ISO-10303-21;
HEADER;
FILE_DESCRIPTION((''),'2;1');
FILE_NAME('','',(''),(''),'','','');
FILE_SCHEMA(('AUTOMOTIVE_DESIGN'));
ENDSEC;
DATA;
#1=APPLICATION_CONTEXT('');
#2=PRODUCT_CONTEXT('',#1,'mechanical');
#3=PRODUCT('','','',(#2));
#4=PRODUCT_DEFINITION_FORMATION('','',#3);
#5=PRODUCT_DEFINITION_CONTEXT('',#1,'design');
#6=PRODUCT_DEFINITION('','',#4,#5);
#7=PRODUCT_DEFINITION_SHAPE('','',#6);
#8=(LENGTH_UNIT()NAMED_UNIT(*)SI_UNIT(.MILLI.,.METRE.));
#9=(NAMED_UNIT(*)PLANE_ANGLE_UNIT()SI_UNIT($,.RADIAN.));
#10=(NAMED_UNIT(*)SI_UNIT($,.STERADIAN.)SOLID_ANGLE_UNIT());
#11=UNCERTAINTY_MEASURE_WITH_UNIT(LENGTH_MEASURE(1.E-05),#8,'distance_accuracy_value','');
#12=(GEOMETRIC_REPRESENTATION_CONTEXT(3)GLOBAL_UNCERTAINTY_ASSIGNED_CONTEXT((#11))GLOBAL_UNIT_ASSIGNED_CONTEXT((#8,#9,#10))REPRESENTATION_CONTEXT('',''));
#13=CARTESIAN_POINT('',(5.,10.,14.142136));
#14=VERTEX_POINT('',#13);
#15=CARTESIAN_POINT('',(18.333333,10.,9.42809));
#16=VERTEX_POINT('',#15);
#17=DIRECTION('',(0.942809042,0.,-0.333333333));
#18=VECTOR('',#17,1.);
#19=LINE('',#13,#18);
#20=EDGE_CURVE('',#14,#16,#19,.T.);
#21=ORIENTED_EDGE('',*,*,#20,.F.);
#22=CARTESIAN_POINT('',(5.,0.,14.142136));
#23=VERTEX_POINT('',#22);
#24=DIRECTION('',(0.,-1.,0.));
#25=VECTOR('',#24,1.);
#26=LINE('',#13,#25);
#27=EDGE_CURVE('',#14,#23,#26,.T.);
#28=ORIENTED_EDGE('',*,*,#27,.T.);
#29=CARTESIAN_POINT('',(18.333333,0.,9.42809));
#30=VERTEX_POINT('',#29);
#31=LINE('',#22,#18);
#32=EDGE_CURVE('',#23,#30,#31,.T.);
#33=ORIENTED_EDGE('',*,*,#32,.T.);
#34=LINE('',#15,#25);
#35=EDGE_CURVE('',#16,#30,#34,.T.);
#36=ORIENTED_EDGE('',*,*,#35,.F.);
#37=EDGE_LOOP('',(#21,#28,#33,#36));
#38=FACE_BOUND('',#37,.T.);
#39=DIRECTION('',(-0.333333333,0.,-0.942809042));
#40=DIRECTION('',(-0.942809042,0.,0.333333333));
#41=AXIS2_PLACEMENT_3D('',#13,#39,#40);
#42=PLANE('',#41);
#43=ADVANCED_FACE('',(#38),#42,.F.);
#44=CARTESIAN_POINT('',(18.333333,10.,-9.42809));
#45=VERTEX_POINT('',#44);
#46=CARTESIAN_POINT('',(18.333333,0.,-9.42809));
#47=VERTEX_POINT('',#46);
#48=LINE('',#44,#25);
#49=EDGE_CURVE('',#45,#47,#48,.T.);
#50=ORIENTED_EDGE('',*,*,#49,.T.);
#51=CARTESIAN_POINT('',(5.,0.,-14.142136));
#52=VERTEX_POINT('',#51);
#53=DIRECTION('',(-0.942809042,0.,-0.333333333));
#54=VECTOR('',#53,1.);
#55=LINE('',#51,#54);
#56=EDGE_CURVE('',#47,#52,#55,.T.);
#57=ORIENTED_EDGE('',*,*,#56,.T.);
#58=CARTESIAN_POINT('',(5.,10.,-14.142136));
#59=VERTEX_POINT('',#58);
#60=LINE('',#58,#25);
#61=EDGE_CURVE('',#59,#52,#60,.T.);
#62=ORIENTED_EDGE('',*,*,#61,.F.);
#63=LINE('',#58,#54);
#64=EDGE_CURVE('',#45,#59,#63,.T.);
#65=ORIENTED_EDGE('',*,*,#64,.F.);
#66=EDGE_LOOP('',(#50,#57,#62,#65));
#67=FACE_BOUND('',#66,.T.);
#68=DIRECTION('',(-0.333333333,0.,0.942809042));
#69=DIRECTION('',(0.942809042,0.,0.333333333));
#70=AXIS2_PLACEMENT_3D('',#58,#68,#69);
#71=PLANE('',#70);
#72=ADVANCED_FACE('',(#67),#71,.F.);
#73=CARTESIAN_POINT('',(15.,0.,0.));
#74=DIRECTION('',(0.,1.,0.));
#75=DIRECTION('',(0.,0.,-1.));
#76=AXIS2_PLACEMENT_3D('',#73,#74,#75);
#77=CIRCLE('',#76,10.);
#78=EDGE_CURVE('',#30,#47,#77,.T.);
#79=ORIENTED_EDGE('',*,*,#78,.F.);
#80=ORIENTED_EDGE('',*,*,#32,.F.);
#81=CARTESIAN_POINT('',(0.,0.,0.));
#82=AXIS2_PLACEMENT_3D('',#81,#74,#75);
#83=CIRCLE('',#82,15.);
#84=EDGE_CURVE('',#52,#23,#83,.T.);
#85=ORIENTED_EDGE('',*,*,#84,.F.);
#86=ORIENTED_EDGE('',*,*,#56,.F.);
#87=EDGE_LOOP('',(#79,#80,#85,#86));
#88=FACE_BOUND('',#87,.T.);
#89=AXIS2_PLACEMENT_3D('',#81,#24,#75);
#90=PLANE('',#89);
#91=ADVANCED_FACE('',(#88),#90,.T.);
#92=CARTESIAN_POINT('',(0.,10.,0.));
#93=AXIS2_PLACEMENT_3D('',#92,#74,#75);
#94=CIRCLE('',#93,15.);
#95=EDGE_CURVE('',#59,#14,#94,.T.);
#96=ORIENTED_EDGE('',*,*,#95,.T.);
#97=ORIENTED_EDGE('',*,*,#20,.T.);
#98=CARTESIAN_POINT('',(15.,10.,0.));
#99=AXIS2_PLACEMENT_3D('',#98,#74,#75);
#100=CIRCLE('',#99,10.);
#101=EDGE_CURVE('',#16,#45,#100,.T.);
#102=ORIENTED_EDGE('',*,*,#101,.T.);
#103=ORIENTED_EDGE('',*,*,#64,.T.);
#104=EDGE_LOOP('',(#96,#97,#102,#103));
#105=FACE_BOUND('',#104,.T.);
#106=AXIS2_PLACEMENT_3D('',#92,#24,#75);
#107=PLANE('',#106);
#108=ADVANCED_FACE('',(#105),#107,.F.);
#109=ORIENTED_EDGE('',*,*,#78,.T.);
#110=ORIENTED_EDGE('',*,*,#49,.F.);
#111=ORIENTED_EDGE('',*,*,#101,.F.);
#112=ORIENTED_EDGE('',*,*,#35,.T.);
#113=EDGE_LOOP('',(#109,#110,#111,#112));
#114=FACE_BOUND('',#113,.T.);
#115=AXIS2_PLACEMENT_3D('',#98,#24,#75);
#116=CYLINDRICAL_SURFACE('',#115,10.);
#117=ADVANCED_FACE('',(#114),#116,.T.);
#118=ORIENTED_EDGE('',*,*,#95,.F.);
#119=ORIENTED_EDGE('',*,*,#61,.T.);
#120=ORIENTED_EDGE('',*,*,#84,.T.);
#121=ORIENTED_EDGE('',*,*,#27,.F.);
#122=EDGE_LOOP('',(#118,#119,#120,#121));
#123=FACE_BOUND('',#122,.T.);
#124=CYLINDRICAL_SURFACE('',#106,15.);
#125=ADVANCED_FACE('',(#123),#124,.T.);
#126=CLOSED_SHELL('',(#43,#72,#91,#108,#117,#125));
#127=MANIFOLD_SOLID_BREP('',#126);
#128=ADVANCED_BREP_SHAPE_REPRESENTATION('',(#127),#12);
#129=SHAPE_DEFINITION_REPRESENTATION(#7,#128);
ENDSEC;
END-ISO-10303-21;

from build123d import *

# Parameters (mm, degrees)
EXTRUDE_1_DEPTH = 10


with BuildPart() as part:
    # 草图1 → 凸台-拉伸1 (new body)
    with BuildSketch(Plane(origin=(0, 0, 0), x_dir=(1, 0, 0), z_dir=(0, 1, 0))):
        with BuildLine():
            Line((5, 14.142135624), (18.333333333, 9.428090416))
            ThreePointArc((18.333333333, 9.428090416), (25, 0), (18.333333333, -9.428090416))
            Line((18.333333333, -9.428090416), (5, -14.142135624))
            ThreePointArc((5, -14.142135624), (-15, 0), (5, 14.142135624))
        make_face()
    extrude(amount=EXTRUDE_1_DEPTH)


solid = part.part
